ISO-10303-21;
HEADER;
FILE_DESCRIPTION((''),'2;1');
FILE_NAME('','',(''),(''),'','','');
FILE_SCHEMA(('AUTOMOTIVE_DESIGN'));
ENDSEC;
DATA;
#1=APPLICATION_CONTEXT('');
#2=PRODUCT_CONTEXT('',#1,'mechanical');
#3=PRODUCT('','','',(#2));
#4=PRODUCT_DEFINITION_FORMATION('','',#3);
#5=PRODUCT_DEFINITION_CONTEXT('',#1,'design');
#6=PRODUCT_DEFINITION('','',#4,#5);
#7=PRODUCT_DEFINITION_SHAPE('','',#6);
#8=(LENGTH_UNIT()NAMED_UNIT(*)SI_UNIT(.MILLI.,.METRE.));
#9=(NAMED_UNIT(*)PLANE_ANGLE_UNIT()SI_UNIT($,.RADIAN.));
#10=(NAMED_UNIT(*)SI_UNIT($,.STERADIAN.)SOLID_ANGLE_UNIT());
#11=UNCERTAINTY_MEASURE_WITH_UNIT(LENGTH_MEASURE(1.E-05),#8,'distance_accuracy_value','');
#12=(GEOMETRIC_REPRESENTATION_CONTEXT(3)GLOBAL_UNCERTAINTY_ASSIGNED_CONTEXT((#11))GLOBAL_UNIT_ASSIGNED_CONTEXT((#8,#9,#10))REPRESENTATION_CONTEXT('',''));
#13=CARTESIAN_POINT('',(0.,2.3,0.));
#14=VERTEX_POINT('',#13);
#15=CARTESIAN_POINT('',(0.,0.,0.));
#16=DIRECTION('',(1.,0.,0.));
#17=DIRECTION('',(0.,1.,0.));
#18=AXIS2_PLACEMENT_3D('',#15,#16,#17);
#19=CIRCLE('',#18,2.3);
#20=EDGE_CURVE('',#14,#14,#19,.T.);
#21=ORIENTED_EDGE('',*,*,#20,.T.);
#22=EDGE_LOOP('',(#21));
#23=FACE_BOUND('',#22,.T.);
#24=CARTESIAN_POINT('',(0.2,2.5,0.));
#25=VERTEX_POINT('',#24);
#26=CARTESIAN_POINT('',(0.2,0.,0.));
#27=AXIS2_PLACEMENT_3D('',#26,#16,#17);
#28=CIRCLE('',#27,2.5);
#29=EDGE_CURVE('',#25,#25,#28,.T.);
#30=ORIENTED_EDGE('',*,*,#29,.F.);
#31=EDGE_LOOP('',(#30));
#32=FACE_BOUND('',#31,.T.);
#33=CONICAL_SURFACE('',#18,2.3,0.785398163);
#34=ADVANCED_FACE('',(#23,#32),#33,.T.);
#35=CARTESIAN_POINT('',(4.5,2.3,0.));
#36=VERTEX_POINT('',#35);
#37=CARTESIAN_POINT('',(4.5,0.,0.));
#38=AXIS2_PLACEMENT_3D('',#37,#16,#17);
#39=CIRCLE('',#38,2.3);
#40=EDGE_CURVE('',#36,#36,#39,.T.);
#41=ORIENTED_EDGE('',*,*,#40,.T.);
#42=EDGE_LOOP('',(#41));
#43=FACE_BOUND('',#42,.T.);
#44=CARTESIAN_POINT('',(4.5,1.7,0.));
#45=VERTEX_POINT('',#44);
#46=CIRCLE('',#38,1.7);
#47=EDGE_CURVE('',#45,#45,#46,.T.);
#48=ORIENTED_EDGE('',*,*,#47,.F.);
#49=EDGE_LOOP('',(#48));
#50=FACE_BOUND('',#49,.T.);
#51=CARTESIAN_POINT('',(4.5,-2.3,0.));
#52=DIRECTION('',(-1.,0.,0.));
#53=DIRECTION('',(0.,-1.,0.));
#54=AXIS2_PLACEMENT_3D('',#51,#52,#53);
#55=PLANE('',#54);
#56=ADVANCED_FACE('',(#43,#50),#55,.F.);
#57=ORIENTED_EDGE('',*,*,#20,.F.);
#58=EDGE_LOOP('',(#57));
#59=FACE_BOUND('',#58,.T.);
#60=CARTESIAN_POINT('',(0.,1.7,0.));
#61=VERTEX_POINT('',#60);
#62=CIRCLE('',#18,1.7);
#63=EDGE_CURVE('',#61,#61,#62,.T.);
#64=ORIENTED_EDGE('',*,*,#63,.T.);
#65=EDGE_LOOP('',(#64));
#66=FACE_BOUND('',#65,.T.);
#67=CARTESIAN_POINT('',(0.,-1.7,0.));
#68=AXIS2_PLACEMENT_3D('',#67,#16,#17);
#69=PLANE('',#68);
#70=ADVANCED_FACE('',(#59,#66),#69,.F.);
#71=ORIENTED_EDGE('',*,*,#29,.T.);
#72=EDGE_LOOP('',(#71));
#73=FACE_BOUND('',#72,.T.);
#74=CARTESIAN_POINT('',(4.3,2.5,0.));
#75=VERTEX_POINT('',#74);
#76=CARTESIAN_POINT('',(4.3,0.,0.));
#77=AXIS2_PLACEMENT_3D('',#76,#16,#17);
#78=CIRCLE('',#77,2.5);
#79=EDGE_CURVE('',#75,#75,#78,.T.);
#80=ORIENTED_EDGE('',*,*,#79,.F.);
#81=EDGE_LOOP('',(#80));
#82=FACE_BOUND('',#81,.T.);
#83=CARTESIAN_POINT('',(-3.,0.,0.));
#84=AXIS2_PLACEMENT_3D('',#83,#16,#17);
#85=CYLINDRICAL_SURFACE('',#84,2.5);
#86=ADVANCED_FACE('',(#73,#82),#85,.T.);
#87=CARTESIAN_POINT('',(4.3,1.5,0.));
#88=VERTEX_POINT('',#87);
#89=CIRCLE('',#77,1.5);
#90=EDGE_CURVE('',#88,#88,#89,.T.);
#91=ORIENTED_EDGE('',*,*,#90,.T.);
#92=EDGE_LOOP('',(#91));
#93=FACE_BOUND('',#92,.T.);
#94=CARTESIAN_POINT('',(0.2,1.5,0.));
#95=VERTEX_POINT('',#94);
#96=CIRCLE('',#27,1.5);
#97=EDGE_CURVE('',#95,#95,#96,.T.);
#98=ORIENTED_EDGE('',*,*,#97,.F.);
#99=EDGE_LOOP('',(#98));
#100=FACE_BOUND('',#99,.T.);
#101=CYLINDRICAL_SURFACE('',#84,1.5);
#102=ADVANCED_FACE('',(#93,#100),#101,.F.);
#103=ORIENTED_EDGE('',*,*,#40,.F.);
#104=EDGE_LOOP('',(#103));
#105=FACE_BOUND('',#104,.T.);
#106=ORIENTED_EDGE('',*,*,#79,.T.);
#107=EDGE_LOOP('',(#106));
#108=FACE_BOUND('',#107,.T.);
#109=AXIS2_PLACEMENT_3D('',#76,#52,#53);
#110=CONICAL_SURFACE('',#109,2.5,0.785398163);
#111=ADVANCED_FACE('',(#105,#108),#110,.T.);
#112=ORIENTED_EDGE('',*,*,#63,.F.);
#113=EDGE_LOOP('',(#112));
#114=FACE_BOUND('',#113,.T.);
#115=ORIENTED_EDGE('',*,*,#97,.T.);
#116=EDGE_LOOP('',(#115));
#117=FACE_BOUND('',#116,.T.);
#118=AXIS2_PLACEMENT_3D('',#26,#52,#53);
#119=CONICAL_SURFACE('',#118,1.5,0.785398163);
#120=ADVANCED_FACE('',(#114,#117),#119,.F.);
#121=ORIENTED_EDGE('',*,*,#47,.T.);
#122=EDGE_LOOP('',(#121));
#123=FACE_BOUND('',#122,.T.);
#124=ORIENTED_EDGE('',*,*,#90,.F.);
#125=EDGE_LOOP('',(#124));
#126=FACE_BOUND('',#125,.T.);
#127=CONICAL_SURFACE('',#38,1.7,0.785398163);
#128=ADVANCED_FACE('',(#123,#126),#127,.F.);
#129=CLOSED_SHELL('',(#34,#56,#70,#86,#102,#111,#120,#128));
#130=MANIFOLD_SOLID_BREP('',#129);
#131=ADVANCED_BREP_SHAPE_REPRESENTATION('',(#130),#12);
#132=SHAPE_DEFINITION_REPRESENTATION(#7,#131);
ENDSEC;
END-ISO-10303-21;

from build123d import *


with BuildPart() as part:
    # Sketch1 → Revolve1 (revolve)
    with BuildSketch(Plane.XY):
        Polygon((0, -1.7), (0, -2.3), (0.2, -2.5), (4.3, -2.5), (4.5, -2.3), (4.5, -1.7), (4.3, -1.5), (0.2, -1.5), align=None)
    revolve(axis=Axis((-3, 0, 0), (1, 0, 0)))


solid = part.part
